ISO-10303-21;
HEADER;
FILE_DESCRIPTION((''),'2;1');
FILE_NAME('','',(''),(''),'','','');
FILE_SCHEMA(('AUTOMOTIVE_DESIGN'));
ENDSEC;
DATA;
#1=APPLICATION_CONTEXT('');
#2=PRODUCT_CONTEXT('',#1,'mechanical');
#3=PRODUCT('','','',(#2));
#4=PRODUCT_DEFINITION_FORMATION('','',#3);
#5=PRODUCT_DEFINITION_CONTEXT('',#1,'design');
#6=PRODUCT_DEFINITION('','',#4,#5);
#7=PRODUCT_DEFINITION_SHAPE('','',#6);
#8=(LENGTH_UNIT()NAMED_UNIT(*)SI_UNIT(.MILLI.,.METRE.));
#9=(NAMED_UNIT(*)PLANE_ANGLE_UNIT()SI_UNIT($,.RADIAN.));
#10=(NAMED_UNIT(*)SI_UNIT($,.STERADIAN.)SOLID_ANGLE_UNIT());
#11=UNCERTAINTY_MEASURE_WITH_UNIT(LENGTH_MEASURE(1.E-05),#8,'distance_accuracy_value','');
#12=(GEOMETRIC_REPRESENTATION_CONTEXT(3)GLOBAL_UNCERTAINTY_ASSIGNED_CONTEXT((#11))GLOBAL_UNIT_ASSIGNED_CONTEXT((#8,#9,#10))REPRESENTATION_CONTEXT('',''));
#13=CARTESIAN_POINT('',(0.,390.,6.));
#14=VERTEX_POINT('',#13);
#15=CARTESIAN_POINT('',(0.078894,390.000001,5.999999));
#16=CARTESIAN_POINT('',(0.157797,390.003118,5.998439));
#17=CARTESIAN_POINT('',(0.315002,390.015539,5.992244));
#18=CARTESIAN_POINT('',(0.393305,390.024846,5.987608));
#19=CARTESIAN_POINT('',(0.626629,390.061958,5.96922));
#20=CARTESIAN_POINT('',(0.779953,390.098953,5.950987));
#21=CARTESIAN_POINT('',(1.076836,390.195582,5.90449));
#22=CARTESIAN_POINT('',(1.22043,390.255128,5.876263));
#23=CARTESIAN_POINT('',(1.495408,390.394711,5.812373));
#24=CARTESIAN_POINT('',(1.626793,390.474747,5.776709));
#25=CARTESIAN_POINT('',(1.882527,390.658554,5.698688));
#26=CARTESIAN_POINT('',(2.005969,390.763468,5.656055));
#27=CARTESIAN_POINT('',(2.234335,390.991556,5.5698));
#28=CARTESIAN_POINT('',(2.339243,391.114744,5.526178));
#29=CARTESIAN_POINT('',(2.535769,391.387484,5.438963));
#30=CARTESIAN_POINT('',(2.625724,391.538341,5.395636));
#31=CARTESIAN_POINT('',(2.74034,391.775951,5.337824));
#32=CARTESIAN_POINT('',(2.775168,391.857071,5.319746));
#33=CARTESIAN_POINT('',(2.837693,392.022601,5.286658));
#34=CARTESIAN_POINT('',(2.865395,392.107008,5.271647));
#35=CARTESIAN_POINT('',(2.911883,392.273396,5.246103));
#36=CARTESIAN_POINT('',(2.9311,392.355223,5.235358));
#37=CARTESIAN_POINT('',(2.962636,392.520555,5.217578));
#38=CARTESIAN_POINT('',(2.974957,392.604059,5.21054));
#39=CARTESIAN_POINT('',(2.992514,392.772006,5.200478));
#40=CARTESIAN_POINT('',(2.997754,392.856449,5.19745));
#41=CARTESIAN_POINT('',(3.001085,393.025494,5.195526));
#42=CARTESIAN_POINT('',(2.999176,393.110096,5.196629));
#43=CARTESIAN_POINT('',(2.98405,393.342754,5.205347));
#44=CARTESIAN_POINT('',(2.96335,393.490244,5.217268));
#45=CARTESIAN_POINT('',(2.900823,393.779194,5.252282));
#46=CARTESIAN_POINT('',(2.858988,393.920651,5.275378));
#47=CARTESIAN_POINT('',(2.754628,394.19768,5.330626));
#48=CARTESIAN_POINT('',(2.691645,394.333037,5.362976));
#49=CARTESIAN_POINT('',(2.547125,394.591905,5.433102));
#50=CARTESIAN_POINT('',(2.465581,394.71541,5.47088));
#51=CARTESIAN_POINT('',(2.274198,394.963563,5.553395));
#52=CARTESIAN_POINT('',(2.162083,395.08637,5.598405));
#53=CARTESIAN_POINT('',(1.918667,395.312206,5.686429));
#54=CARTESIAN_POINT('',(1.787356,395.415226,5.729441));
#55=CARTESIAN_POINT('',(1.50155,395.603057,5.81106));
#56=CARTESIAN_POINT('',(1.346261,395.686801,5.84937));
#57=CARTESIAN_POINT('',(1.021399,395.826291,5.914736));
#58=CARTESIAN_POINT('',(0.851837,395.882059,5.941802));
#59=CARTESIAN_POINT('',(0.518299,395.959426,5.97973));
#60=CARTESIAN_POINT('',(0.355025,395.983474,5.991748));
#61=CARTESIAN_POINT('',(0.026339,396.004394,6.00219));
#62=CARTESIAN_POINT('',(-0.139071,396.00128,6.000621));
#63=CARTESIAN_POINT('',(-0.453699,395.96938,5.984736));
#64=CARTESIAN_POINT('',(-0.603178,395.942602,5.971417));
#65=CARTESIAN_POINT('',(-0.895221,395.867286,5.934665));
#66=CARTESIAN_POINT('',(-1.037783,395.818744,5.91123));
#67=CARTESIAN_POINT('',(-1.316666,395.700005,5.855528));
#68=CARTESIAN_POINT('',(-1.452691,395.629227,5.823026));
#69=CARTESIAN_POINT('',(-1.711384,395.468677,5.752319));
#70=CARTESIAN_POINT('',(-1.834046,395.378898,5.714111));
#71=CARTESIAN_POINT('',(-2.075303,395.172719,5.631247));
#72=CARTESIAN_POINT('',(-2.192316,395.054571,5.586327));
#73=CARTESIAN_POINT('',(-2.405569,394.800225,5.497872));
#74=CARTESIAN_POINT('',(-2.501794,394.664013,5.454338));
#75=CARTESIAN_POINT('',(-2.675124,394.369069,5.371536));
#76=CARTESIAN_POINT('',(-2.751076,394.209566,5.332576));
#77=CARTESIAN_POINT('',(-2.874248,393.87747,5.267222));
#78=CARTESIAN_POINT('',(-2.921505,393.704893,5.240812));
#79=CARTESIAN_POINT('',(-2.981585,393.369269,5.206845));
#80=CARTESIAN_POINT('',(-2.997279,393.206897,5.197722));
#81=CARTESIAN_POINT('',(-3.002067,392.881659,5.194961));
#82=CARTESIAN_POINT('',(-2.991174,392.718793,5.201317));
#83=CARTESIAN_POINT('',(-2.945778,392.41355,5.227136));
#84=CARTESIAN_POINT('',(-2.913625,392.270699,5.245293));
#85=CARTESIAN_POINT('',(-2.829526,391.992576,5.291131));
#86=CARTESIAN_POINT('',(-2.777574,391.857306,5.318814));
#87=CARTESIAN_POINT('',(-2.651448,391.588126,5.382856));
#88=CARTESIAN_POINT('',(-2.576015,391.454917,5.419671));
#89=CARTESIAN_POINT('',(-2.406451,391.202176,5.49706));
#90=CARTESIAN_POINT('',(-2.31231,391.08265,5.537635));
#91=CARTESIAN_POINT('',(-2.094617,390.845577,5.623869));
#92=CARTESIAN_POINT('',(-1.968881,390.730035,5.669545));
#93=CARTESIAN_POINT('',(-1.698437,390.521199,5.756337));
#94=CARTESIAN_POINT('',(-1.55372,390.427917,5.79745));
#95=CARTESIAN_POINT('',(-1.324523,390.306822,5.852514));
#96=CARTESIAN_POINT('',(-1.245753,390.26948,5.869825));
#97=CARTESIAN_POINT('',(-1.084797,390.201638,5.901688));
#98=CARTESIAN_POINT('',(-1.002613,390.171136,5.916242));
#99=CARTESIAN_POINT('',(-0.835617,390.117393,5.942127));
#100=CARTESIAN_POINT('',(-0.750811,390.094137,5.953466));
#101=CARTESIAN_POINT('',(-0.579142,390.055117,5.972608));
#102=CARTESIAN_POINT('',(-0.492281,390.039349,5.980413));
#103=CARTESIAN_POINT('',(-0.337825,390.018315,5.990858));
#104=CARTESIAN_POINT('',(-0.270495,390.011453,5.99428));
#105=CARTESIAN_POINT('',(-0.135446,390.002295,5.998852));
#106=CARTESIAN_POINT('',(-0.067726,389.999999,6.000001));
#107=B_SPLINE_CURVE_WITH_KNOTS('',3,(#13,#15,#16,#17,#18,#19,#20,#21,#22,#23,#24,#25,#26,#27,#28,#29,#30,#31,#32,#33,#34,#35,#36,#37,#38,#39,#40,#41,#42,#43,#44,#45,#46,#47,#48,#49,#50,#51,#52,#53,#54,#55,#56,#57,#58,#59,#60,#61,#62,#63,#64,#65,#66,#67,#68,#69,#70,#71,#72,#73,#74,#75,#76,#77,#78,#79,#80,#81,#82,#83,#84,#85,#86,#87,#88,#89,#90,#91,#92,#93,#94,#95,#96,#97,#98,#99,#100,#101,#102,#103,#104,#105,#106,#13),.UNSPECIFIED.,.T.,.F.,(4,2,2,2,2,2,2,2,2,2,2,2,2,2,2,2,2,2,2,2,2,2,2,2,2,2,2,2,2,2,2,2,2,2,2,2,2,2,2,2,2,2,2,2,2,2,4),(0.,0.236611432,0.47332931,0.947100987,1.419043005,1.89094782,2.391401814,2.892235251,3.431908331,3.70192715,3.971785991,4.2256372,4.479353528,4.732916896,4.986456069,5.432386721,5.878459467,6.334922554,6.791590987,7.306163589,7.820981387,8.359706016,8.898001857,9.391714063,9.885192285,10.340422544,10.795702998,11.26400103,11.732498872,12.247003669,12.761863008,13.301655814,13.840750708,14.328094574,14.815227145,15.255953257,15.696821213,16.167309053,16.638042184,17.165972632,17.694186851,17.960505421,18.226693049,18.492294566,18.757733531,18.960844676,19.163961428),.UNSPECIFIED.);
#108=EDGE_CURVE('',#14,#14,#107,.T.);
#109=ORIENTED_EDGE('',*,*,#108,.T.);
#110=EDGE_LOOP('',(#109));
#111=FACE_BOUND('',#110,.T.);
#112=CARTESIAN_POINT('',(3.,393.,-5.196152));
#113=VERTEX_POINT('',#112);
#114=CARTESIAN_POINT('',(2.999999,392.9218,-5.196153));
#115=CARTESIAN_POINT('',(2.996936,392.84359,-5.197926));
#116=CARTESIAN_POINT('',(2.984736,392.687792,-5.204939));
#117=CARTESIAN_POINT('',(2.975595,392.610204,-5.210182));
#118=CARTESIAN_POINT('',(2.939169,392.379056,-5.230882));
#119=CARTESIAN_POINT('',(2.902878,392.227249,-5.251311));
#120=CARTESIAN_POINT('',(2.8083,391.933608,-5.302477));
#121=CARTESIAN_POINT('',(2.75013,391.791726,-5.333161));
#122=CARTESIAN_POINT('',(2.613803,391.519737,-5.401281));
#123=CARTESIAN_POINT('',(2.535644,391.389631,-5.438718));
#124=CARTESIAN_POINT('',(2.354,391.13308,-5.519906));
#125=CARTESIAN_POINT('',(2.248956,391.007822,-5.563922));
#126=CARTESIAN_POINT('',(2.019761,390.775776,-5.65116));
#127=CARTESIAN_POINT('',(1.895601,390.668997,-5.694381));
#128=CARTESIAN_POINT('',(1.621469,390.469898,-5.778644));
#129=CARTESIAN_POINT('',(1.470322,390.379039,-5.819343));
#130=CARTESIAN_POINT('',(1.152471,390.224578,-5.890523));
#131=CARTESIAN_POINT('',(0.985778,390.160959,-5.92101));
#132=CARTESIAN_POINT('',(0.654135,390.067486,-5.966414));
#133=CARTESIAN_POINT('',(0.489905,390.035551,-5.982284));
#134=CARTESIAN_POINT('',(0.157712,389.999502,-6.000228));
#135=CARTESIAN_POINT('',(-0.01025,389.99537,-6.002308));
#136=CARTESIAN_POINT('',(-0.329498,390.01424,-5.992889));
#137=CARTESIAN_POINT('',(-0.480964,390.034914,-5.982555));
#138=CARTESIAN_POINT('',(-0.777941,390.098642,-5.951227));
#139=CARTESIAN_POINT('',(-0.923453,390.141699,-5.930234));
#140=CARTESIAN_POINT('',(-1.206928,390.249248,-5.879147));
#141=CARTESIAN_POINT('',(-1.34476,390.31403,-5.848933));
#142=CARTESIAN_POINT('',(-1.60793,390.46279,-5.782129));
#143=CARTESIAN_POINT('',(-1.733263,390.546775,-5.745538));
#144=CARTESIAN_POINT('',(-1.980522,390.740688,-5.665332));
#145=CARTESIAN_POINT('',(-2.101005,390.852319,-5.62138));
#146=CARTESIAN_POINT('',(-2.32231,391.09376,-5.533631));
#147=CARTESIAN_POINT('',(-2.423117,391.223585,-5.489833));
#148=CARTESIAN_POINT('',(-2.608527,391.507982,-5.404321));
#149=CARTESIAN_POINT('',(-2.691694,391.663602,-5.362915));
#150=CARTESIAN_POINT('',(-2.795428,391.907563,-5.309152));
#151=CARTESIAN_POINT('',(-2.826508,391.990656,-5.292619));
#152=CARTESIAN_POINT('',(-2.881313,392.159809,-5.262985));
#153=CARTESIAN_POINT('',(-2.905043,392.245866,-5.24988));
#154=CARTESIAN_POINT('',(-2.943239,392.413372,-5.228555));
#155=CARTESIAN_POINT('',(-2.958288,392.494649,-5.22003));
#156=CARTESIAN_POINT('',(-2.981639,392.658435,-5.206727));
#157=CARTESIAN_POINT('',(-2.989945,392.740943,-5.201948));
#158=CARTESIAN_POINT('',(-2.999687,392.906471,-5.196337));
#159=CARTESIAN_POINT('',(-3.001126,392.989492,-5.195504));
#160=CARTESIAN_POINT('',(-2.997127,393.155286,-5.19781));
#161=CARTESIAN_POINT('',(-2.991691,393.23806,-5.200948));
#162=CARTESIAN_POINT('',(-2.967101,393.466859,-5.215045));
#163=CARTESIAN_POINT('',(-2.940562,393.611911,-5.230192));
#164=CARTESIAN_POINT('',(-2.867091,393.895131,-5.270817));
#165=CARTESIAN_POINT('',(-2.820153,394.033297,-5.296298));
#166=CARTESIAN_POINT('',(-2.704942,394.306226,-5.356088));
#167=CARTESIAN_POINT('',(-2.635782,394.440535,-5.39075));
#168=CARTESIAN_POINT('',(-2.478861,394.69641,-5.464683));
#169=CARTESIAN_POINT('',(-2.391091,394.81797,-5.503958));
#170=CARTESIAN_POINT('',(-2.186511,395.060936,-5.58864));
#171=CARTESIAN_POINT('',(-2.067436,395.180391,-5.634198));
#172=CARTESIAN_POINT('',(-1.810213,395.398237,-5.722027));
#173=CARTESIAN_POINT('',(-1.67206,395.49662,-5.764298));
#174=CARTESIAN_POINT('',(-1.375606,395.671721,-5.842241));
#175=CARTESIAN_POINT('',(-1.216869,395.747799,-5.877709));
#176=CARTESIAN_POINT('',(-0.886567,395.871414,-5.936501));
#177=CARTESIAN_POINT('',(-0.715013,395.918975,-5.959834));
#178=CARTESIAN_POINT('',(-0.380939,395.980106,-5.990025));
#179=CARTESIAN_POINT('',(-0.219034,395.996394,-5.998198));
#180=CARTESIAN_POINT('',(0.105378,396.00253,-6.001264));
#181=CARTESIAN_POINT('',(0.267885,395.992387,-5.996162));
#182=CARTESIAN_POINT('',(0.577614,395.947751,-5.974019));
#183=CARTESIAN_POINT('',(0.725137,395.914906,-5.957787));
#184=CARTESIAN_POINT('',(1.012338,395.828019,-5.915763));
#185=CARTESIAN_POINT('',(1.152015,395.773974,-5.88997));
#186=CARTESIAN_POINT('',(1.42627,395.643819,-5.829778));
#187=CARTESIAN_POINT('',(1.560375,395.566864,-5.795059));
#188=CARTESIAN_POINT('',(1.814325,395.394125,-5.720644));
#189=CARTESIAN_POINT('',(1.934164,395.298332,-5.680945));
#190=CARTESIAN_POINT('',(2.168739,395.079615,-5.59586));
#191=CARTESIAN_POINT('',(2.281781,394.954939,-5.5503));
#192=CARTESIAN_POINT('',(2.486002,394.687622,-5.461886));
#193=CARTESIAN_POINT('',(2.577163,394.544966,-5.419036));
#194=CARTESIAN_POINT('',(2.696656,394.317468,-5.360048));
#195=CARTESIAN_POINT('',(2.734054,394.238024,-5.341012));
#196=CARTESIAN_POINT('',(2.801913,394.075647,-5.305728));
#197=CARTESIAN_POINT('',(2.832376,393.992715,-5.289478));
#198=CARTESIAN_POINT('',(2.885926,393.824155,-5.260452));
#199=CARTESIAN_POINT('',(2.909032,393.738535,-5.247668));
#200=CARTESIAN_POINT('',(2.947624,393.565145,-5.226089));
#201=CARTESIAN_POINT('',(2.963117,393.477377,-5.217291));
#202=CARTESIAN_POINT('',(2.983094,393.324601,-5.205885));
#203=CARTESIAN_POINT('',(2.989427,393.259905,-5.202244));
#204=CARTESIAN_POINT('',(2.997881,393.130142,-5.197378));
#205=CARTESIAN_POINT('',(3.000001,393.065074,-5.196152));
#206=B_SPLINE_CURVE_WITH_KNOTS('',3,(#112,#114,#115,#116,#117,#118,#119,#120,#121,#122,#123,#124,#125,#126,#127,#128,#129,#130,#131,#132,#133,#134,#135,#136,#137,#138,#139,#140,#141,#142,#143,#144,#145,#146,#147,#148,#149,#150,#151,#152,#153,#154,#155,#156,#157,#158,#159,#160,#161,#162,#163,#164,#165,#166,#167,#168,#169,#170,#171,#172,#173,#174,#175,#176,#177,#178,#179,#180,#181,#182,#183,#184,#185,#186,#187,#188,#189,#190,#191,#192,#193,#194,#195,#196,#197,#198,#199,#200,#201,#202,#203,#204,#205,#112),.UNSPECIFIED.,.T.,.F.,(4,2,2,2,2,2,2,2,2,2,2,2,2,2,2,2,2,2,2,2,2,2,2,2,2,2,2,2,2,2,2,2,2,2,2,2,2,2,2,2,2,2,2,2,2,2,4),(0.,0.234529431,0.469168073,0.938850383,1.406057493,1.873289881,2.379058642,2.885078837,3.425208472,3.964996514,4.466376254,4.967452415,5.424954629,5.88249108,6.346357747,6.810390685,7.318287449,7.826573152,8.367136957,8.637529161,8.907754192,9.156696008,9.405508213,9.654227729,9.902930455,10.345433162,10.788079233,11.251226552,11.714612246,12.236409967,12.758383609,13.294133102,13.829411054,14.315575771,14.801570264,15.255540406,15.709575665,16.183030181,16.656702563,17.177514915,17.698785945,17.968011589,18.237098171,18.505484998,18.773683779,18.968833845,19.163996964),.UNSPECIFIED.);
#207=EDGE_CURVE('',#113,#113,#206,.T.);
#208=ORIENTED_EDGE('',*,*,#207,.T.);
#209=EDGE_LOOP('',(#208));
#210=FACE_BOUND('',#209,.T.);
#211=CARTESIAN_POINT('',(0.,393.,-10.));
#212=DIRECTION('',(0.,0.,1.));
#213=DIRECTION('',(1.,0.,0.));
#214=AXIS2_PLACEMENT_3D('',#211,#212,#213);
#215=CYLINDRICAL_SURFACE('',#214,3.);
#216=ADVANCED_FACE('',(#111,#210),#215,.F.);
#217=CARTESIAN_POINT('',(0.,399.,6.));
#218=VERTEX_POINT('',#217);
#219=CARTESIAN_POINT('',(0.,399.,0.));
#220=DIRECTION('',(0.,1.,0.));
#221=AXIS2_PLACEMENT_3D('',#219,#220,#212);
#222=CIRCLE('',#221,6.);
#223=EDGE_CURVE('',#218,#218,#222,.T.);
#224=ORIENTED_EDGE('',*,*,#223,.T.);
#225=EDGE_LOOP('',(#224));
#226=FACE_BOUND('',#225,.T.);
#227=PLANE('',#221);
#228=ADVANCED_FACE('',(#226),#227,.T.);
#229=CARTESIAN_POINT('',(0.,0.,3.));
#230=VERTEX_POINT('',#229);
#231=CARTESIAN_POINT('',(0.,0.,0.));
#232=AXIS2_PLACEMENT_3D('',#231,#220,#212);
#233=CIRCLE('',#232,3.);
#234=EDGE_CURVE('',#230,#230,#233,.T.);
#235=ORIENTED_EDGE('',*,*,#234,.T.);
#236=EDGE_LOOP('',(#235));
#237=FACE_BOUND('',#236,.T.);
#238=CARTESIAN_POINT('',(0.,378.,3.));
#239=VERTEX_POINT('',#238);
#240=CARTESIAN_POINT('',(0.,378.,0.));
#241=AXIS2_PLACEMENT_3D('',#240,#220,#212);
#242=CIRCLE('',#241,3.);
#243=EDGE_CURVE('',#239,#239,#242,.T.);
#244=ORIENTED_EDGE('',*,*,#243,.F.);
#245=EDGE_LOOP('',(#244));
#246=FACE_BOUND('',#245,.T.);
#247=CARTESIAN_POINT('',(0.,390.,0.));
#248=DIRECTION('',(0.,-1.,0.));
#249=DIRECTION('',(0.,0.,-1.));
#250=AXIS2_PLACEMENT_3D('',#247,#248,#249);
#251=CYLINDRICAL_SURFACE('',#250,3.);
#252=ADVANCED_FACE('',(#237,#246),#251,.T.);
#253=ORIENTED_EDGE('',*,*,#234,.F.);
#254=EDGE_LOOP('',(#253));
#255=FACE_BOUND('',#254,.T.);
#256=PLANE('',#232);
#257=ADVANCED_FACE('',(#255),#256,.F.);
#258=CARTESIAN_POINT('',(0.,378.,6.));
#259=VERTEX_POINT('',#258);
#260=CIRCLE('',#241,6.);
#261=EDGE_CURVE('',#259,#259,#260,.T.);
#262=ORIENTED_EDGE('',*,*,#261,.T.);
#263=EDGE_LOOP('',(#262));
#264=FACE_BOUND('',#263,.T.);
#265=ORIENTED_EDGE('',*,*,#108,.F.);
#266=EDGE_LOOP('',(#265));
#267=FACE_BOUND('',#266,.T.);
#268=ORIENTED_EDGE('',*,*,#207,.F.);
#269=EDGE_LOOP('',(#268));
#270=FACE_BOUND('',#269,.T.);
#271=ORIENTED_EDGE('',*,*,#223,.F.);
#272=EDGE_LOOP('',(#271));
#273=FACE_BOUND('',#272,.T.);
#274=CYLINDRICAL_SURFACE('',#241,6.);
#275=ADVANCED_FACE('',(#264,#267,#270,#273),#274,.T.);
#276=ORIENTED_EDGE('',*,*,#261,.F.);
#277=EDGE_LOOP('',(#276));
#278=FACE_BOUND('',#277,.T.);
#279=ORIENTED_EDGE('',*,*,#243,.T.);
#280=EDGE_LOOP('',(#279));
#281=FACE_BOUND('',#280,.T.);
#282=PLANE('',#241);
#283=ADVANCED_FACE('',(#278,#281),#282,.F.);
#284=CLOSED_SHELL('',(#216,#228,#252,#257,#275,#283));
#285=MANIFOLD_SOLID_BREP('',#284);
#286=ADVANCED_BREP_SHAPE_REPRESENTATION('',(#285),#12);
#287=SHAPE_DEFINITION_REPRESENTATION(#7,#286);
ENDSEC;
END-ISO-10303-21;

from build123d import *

# Parameters (mm, degrees)
CROQUIS1_R                   = 3
SALIENTE_EXTRUIR1_DEPTH      = 390
CROQUIS2_R                   = 6
CROQUIS2_R_2                 = 3
SALIENTE_EXTRUIR5_DEPTH      = 9
SALIENTE_EXTRUIR5_DEPTH_BACK = 12
CROQUIS8_R                   = 3
SALIENTE_EXTRUIR6_DEPTH      = 9
CROQUIS9_R                   = 3
CORTAR_EXTRUIR1_DEPTH        = 10


with BuildPart() as part:
    # Croquis1 → Saliente-Extruir1 (new body)
    with BuildSketch(Plane(origin=(0, 0, 0), x_dir=(1, 0, 0), z_dir=(0, 1, 0))):
        Circle(CROQUIS1_R)
    extrude(amount=SALIENTE_EXTRUIR1_DEPTH)

    # Croquis2 → Saliente-Extruir5 (add, two sides)
    with BuildSketch(Plane(origin=(0, 390, 0), x_dir=(1, 0, 0), z_dir=(0, 1, 0))) as saliente_extruir5_sk:
        Circle(CROQUIS2_R)
        Circle(CROQUIS2_R_2, mode=Mode.SUBTRACT)
    extrude(amount=SALIENTE_EXTRUIR5_DEPTH)
    extrude(saliente_extruir5_sk.sketch, amount=-SALIENTE_EXTRUIR5_DEPTH_BACK)

    # Croquis8 → Saliente-Extruir6 (add)
    with BuildSketch(Plane(origin=(0, 390, 0), x_dir=(1, 0, 0), z_dir=(0, 1, 0))):
        Circle(CROQUIS8_R)
    extrude(amount=SALIENTE_EXTRUIR6_DEPTH)

    # Croquis9 → Cortar-Extruir1 (cut, symmetric)
    with BuildSketch(Plane.XY):
        with Locations((0, 393)):
            Circle(CROQUIS9_R)
    extrude(amount=CORTAR_EXTRUIR1_DEPTH, both=True, mode=Mode.SUBTRACT)


solid = part.part
